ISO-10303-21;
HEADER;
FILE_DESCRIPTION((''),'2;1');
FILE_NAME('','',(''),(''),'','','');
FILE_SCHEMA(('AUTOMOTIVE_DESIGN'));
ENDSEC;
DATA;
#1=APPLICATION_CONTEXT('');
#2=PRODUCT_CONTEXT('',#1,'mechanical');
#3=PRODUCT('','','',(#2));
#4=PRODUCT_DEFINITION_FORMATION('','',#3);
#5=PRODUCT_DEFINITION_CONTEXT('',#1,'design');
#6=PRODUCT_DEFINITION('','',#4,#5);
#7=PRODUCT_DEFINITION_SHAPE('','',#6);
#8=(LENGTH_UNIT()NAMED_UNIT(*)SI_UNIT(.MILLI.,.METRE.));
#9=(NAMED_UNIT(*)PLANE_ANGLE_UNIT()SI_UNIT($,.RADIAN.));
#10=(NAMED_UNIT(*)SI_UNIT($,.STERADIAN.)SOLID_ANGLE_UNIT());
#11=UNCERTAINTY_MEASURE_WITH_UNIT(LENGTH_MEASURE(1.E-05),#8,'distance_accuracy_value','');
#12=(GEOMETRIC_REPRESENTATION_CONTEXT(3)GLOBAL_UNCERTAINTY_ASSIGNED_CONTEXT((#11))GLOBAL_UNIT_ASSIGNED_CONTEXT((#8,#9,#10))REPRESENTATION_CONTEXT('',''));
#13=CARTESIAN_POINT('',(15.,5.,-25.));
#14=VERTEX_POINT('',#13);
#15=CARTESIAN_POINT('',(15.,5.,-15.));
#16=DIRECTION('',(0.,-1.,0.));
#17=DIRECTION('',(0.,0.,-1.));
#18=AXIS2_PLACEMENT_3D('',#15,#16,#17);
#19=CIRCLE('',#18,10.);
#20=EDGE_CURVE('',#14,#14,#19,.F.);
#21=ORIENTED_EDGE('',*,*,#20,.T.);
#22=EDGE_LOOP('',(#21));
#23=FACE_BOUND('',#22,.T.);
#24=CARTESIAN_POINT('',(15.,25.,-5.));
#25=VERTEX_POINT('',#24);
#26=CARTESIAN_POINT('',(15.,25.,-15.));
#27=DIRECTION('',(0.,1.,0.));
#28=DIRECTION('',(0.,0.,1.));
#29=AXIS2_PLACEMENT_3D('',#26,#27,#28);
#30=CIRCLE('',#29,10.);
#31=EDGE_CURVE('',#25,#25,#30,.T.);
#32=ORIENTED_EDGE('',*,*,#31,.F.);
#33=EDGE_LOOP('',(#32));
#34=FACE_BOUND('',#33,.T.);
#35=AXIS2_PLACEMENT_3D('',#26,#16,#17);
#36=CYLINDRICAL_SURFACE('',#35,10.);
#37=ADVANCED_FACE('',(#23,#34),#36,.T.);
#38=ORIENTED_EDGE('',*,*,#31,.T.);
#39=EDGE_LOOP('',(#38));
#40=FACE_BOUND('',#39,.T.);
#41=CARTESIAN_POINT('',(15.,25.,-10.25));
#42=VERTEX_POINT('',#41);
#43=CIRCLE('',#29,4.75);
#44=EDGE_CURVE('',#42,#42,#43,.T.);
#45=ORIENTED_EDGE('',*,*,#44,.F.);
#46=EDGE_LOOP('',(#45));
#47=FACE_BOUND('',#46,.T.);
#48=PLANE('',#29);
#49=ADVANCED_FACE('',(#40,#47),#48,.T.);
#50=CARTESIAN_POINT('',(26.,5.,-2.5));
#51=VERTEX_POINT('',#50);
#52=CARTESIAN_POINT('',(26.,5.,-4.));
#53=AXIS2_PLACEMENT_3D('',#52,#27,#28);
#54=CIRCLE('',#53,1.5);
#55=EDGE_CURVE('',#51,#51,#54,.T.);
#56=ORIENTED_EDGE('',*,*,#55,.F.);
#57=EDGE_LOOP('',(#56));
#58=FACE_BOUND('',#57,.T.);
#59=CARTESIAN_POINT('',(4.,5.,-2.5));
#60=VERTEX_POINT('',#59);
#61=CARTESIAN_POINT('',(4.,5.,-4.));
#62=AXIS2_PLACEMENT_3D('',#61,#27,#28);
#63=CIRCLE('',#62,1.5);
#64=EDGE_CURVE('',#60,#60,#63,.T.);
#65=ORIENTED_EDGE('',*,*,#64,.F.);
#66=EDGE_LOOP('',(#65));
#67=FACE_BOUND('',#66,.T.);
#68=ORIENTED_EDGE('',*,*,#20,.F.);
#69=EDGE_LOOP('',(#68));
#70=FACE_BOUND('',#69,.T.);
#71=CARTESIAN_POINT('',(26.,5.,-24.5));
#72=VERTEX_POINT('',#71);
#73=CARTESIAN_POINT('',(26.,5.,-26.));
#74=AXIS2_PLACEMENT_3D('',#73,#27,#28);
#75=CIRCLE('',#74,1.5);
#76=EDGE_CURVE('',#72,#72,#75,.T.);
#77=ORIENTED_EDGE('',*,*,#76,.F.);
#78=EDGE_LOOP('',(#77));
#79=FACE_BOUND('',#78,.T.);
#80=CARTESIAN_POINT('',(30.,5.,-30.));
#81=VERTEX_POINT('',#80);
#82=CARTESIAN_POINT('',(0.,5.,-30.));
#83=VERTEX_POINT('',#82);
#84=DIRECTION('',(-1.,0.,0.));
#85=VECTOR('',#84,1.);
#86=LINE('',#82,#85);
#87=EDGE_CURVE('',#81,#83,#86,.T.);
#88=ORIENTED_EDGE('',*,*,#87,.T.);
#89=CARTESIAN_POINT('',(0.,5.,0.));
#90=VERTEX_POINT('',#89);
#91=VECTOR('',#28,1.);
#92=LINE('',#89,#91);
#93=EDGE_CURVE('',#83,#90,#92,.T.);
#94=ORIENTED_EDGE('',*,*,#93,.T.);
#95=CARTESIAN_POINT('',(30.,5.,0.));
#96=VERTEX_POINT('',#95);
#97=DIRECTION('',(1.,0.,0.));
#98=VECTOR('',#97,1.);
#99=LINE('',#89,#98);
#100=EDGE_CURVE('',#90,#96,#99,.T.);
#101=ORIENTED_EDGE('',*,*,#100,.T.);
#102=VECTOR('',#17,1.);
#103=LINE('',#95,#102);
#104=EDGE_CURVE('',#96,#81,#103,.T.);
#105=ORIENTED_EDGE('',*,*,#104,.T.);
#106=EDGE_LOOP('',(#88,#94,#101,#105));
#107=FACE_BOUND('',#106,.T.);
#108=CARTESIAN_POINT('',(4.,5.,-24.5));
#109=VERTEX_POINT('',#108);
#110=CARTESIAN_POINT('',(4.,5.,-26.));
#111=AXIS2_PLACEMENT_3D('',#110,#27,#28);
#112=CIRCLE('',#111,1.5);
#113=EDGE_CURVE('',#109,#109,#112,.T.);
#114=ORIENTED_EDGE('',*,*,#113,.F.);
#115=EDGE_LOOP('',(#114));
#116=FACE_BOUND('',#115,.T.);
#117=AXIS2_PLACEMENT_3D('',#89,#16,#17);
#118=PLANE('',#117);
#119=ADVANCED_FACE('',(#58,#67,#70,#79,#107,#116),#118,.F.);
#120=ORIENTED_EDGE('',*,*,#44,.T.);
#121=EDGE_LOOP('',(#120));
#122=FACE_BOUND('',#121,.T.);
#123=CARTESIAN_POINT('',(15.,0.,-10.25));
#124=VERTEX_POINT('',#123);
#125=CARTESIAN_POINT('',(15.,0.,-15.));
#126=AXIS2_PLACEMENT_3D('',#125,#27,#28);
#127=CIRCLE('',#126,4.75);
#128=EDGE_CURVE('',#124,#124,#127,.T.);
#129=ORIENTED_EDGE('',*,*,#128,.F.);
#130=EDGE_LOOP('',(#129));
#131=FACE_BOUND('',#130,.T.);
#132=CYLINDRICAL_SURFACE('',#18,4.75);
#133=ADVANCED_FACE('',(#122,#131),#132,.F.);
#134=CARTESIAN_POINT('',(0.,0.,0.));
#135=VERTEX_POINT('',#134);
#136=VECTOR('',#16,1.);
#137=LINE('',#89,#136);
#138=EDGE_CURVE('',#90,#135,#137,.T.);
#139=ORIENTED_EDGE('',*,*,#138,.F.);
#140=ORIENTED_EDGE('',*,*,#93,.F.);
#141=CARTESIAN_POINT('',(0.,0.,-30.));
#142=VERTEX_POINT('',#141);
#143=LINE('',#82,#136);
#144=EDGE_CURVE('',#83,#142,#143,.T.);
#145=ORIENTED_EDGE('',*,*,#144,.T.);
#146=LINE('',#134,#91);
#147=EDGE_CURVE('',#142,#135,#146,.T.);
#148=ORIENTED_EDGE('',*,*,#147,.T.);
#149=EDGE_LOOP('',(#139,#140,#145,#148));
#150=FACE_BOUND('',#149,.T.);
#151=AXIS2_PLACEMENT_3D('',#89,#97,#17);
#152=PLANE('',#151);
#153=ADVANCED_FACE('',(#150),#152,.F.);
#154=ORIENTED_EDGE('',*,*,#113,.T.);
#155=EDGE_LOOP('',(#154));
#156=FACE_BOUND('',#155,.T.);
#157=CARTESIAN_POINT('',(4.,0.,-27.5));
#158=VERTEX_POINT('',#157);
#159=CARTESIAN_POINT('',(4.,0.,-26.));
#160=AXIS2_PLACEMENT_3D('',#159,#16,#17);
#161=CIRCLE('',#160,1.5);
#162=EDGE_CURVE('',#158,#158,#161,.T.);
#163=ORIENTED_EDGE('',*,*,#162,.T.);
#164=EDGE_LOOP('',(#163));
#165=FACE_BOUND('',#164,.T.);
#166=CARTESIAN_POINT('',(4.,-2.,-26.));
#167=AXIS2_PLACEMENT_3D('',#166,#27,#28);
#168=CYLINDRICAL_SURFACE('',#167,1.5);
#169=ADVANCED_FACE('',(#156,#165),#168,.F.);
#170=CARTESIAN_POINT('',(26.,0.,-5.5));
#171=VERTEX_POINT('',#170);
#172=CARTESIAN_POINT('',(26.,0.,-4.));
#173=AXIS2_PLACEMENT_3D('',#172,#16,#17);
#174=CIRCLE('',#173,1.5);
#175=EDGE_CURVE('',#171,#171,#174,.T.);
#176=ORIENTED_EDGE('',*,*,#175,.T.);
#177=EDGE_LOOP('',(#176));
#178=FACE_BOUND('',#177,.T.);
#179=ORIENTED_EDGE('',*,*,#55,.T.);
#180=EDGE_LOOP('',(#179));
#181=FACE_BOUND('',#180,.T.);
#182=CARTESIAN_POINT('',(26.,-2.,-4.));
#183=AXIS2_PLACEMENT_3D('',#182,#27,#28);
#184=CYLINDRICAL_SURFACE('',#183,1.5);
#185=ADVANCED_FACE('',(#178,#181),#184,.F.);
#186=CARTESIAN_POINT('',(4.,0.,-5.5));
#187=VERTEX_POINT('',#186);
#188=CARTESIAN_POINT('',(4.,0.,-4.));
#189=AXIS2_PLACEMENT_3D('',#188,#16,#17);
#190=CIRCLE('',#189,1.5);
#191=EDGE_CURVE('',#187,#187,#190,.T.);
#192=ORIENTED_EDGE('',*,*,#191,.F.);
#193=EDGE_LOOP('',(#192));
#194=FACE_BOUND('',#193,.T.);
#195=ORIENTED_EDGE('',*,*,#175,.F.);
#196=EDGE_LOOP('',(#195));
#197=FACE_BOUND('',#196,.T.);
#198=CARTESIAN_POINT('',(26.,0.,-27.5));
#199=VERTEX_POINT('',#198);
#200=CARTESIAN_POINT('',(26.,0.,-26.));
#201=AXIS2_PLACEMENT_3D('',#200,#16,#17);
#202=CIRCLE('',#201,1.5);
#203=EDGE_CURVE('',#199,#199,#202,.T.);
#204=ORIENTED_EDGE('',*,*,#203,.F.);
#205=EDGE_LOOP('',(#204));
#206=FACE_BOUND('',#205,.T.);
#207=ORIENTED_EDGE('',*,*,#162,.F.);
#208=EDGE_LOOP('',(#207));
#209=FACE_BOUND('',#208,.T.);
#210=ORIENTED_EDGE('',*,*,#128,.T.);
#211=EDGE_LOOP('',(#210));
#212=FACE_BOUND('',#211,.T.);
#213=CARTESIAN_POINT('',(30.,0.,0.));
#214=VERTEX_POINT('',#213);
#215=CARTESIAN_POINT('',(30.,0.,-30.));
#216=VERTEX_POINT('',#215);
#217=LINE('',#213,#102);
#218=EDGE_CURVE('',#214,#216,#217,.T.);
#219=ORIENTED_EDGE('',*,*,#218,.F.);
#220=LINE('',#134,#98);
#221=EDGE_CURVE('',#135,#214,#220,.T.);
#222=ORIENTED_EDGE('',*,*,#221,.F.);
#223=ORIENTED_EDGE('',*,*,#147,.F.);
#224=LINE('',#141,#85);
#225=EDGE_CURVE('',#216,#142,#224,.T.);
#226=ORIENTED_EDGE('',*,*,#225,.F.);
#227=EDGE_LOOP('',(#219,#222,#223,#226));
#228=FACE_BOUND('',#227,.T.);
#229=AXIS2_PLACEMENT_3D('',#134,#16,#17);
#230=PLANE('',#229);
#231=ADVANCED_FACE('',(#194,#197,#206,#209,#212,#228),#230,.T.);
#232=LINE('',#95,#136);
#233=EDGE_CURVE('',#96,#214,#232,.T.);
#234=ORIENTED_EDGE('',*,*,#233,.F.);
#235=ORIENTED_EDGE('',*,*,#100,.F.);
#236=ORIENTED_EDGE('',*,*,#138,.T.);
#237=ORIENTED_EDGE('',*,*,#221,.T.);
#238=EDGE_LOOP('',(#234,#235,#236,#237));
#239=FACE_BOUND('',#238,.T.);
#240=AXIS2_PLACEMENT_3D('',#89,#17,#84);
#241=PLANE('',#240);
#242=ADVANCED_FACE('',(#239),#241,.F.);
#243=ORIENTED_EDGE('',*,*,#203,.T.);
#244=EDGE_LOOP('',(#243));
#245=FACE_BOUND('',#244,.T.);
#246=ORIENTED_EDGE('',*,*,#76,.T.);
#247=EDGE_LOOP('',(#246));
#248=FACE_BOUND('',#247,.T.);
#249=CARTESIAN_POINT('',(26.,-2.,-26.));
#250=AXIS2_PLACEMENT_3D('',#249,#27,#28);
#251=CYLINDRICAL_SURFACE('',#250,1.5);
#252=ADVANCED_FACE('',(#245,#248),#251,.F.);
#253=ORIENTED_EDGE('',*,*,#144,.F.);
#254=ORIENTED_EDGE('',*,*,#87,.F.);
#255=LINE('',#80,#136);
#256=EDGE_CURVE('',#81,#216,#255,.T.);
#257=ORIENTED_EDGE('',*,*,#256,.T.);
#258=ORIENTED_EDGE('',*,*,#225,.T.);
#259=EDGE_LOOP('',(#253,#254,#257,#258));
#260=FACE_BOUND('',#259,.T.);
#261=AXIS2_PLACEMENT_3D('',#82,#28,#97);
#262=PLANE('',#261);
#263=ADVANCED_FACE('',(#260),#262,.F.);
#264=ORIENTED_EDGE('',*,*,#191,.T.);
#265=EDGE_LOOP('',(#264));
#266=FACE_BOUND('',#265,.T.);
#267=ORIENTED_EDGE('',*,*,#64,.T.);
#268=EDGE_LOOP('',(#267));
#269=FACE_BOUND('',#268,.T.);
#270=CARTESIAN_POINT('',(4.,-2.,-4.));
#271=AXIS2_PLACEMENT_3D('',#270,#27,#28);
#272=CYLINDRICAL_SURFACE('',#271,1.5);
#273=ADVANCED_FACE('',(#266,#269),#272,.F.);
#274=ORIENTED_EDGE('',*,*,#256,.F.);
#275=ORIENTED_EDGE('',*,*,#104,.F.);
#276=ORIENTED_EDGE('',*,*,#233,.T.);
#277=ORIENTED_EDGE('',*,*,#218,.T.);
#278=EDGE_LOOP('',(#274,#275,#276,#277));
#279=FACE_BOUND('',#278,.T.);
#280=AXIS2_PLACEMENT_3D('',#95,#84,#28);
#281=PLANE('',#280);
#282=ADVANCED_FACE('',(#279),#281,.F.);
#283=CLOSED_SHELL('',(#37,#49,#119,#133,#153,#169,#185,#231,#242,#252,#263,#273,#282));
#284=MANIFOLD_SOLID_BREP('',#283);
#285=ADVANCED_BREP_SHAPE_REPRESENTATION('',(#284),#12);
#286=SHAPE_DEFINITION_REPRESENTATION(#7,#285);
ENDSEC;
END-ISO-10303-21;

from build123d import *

# Parameters (mm, degrees)
IZIM1_W                     = 30
IZIM1_H                     = 30
IZIM1_R                     = 4.75
Y_KSEKLIK_EKSTR_ZYON1_DEPTH = 5
IZIM2_R                     = 10
IZIM2_R_2                   = 4.75
Y_KSEKLIK_EKSTR_ZYON2_DEPTH = 20
IZIM3_R                     = 1.5
KES_EKSTR_ZYON1_DEPTH       = 7


with BuildPart() as part:
    # Çizim1 → Yükseklik-Ekstrüzyon1 (new body)
    with BuildSketch(Plane(origin=(0, 0, 0), x_dir=(1, 0, 0), z_dir=(0, 1, 0))):
        with Locations((15, 15)):
            Rectangle(IZIM1_W, IZIM1_H)
        with Locations(Location((15, 15, 0), (0, 0, 270))):
            Circle(IZIM1_R, mode=Mode.SUBTRACT)
    extrude(amount=Y_KSEKLIK_EKSTR_ZYON1_DEPTH)

    # Çizim2 → Yükseklik-Ekstrüzyon2 (add)
    with BuildSketch(Plane(origin=(0, 5, 0), x_dir=(1, 0, 0), z_dir=(0, 1, 0))):
        with Locations(Location((15, 15, 0), (0, 0, 90))):
            Circle(IZIM2_R)
        with Locations(Location((15, 15, 0), (0, 0, 270))):
            Circle(IZIM2_R_2, mode=Mode.SUBTRACT)
    extrude(amount=Y_KSEKLIK_EKSTR_ZYON2_DEPTH)

    # Çizim3 → Kes-Ekstrüzyon1 (cut)
    with BuildSketch(Plane(origin=(0, 5, 0), x_dir=(1, 0, 0), z_dir=(0, 1, 0))):
        with Locations(Location((4, 26, 0), (0, 0, 270))):
            Circle(IZIM3_R)
        with Locations(Location((26, 26, 0), (0, 0, 270))):
            Circle(IZIM3_R)
        with Locations(Location((26, 4, 0), (0, 0, 270))):
            Circle(IZIM3_R)
        with Locations(Location((4, 4, 0), (0, 0, 270))):
            Circle(IZIM3_R)
    extrude(amount=-KES_EKSTR_ZYON1_DEPTH, mode=Mode.SUBTRACT)


solid = part.part
